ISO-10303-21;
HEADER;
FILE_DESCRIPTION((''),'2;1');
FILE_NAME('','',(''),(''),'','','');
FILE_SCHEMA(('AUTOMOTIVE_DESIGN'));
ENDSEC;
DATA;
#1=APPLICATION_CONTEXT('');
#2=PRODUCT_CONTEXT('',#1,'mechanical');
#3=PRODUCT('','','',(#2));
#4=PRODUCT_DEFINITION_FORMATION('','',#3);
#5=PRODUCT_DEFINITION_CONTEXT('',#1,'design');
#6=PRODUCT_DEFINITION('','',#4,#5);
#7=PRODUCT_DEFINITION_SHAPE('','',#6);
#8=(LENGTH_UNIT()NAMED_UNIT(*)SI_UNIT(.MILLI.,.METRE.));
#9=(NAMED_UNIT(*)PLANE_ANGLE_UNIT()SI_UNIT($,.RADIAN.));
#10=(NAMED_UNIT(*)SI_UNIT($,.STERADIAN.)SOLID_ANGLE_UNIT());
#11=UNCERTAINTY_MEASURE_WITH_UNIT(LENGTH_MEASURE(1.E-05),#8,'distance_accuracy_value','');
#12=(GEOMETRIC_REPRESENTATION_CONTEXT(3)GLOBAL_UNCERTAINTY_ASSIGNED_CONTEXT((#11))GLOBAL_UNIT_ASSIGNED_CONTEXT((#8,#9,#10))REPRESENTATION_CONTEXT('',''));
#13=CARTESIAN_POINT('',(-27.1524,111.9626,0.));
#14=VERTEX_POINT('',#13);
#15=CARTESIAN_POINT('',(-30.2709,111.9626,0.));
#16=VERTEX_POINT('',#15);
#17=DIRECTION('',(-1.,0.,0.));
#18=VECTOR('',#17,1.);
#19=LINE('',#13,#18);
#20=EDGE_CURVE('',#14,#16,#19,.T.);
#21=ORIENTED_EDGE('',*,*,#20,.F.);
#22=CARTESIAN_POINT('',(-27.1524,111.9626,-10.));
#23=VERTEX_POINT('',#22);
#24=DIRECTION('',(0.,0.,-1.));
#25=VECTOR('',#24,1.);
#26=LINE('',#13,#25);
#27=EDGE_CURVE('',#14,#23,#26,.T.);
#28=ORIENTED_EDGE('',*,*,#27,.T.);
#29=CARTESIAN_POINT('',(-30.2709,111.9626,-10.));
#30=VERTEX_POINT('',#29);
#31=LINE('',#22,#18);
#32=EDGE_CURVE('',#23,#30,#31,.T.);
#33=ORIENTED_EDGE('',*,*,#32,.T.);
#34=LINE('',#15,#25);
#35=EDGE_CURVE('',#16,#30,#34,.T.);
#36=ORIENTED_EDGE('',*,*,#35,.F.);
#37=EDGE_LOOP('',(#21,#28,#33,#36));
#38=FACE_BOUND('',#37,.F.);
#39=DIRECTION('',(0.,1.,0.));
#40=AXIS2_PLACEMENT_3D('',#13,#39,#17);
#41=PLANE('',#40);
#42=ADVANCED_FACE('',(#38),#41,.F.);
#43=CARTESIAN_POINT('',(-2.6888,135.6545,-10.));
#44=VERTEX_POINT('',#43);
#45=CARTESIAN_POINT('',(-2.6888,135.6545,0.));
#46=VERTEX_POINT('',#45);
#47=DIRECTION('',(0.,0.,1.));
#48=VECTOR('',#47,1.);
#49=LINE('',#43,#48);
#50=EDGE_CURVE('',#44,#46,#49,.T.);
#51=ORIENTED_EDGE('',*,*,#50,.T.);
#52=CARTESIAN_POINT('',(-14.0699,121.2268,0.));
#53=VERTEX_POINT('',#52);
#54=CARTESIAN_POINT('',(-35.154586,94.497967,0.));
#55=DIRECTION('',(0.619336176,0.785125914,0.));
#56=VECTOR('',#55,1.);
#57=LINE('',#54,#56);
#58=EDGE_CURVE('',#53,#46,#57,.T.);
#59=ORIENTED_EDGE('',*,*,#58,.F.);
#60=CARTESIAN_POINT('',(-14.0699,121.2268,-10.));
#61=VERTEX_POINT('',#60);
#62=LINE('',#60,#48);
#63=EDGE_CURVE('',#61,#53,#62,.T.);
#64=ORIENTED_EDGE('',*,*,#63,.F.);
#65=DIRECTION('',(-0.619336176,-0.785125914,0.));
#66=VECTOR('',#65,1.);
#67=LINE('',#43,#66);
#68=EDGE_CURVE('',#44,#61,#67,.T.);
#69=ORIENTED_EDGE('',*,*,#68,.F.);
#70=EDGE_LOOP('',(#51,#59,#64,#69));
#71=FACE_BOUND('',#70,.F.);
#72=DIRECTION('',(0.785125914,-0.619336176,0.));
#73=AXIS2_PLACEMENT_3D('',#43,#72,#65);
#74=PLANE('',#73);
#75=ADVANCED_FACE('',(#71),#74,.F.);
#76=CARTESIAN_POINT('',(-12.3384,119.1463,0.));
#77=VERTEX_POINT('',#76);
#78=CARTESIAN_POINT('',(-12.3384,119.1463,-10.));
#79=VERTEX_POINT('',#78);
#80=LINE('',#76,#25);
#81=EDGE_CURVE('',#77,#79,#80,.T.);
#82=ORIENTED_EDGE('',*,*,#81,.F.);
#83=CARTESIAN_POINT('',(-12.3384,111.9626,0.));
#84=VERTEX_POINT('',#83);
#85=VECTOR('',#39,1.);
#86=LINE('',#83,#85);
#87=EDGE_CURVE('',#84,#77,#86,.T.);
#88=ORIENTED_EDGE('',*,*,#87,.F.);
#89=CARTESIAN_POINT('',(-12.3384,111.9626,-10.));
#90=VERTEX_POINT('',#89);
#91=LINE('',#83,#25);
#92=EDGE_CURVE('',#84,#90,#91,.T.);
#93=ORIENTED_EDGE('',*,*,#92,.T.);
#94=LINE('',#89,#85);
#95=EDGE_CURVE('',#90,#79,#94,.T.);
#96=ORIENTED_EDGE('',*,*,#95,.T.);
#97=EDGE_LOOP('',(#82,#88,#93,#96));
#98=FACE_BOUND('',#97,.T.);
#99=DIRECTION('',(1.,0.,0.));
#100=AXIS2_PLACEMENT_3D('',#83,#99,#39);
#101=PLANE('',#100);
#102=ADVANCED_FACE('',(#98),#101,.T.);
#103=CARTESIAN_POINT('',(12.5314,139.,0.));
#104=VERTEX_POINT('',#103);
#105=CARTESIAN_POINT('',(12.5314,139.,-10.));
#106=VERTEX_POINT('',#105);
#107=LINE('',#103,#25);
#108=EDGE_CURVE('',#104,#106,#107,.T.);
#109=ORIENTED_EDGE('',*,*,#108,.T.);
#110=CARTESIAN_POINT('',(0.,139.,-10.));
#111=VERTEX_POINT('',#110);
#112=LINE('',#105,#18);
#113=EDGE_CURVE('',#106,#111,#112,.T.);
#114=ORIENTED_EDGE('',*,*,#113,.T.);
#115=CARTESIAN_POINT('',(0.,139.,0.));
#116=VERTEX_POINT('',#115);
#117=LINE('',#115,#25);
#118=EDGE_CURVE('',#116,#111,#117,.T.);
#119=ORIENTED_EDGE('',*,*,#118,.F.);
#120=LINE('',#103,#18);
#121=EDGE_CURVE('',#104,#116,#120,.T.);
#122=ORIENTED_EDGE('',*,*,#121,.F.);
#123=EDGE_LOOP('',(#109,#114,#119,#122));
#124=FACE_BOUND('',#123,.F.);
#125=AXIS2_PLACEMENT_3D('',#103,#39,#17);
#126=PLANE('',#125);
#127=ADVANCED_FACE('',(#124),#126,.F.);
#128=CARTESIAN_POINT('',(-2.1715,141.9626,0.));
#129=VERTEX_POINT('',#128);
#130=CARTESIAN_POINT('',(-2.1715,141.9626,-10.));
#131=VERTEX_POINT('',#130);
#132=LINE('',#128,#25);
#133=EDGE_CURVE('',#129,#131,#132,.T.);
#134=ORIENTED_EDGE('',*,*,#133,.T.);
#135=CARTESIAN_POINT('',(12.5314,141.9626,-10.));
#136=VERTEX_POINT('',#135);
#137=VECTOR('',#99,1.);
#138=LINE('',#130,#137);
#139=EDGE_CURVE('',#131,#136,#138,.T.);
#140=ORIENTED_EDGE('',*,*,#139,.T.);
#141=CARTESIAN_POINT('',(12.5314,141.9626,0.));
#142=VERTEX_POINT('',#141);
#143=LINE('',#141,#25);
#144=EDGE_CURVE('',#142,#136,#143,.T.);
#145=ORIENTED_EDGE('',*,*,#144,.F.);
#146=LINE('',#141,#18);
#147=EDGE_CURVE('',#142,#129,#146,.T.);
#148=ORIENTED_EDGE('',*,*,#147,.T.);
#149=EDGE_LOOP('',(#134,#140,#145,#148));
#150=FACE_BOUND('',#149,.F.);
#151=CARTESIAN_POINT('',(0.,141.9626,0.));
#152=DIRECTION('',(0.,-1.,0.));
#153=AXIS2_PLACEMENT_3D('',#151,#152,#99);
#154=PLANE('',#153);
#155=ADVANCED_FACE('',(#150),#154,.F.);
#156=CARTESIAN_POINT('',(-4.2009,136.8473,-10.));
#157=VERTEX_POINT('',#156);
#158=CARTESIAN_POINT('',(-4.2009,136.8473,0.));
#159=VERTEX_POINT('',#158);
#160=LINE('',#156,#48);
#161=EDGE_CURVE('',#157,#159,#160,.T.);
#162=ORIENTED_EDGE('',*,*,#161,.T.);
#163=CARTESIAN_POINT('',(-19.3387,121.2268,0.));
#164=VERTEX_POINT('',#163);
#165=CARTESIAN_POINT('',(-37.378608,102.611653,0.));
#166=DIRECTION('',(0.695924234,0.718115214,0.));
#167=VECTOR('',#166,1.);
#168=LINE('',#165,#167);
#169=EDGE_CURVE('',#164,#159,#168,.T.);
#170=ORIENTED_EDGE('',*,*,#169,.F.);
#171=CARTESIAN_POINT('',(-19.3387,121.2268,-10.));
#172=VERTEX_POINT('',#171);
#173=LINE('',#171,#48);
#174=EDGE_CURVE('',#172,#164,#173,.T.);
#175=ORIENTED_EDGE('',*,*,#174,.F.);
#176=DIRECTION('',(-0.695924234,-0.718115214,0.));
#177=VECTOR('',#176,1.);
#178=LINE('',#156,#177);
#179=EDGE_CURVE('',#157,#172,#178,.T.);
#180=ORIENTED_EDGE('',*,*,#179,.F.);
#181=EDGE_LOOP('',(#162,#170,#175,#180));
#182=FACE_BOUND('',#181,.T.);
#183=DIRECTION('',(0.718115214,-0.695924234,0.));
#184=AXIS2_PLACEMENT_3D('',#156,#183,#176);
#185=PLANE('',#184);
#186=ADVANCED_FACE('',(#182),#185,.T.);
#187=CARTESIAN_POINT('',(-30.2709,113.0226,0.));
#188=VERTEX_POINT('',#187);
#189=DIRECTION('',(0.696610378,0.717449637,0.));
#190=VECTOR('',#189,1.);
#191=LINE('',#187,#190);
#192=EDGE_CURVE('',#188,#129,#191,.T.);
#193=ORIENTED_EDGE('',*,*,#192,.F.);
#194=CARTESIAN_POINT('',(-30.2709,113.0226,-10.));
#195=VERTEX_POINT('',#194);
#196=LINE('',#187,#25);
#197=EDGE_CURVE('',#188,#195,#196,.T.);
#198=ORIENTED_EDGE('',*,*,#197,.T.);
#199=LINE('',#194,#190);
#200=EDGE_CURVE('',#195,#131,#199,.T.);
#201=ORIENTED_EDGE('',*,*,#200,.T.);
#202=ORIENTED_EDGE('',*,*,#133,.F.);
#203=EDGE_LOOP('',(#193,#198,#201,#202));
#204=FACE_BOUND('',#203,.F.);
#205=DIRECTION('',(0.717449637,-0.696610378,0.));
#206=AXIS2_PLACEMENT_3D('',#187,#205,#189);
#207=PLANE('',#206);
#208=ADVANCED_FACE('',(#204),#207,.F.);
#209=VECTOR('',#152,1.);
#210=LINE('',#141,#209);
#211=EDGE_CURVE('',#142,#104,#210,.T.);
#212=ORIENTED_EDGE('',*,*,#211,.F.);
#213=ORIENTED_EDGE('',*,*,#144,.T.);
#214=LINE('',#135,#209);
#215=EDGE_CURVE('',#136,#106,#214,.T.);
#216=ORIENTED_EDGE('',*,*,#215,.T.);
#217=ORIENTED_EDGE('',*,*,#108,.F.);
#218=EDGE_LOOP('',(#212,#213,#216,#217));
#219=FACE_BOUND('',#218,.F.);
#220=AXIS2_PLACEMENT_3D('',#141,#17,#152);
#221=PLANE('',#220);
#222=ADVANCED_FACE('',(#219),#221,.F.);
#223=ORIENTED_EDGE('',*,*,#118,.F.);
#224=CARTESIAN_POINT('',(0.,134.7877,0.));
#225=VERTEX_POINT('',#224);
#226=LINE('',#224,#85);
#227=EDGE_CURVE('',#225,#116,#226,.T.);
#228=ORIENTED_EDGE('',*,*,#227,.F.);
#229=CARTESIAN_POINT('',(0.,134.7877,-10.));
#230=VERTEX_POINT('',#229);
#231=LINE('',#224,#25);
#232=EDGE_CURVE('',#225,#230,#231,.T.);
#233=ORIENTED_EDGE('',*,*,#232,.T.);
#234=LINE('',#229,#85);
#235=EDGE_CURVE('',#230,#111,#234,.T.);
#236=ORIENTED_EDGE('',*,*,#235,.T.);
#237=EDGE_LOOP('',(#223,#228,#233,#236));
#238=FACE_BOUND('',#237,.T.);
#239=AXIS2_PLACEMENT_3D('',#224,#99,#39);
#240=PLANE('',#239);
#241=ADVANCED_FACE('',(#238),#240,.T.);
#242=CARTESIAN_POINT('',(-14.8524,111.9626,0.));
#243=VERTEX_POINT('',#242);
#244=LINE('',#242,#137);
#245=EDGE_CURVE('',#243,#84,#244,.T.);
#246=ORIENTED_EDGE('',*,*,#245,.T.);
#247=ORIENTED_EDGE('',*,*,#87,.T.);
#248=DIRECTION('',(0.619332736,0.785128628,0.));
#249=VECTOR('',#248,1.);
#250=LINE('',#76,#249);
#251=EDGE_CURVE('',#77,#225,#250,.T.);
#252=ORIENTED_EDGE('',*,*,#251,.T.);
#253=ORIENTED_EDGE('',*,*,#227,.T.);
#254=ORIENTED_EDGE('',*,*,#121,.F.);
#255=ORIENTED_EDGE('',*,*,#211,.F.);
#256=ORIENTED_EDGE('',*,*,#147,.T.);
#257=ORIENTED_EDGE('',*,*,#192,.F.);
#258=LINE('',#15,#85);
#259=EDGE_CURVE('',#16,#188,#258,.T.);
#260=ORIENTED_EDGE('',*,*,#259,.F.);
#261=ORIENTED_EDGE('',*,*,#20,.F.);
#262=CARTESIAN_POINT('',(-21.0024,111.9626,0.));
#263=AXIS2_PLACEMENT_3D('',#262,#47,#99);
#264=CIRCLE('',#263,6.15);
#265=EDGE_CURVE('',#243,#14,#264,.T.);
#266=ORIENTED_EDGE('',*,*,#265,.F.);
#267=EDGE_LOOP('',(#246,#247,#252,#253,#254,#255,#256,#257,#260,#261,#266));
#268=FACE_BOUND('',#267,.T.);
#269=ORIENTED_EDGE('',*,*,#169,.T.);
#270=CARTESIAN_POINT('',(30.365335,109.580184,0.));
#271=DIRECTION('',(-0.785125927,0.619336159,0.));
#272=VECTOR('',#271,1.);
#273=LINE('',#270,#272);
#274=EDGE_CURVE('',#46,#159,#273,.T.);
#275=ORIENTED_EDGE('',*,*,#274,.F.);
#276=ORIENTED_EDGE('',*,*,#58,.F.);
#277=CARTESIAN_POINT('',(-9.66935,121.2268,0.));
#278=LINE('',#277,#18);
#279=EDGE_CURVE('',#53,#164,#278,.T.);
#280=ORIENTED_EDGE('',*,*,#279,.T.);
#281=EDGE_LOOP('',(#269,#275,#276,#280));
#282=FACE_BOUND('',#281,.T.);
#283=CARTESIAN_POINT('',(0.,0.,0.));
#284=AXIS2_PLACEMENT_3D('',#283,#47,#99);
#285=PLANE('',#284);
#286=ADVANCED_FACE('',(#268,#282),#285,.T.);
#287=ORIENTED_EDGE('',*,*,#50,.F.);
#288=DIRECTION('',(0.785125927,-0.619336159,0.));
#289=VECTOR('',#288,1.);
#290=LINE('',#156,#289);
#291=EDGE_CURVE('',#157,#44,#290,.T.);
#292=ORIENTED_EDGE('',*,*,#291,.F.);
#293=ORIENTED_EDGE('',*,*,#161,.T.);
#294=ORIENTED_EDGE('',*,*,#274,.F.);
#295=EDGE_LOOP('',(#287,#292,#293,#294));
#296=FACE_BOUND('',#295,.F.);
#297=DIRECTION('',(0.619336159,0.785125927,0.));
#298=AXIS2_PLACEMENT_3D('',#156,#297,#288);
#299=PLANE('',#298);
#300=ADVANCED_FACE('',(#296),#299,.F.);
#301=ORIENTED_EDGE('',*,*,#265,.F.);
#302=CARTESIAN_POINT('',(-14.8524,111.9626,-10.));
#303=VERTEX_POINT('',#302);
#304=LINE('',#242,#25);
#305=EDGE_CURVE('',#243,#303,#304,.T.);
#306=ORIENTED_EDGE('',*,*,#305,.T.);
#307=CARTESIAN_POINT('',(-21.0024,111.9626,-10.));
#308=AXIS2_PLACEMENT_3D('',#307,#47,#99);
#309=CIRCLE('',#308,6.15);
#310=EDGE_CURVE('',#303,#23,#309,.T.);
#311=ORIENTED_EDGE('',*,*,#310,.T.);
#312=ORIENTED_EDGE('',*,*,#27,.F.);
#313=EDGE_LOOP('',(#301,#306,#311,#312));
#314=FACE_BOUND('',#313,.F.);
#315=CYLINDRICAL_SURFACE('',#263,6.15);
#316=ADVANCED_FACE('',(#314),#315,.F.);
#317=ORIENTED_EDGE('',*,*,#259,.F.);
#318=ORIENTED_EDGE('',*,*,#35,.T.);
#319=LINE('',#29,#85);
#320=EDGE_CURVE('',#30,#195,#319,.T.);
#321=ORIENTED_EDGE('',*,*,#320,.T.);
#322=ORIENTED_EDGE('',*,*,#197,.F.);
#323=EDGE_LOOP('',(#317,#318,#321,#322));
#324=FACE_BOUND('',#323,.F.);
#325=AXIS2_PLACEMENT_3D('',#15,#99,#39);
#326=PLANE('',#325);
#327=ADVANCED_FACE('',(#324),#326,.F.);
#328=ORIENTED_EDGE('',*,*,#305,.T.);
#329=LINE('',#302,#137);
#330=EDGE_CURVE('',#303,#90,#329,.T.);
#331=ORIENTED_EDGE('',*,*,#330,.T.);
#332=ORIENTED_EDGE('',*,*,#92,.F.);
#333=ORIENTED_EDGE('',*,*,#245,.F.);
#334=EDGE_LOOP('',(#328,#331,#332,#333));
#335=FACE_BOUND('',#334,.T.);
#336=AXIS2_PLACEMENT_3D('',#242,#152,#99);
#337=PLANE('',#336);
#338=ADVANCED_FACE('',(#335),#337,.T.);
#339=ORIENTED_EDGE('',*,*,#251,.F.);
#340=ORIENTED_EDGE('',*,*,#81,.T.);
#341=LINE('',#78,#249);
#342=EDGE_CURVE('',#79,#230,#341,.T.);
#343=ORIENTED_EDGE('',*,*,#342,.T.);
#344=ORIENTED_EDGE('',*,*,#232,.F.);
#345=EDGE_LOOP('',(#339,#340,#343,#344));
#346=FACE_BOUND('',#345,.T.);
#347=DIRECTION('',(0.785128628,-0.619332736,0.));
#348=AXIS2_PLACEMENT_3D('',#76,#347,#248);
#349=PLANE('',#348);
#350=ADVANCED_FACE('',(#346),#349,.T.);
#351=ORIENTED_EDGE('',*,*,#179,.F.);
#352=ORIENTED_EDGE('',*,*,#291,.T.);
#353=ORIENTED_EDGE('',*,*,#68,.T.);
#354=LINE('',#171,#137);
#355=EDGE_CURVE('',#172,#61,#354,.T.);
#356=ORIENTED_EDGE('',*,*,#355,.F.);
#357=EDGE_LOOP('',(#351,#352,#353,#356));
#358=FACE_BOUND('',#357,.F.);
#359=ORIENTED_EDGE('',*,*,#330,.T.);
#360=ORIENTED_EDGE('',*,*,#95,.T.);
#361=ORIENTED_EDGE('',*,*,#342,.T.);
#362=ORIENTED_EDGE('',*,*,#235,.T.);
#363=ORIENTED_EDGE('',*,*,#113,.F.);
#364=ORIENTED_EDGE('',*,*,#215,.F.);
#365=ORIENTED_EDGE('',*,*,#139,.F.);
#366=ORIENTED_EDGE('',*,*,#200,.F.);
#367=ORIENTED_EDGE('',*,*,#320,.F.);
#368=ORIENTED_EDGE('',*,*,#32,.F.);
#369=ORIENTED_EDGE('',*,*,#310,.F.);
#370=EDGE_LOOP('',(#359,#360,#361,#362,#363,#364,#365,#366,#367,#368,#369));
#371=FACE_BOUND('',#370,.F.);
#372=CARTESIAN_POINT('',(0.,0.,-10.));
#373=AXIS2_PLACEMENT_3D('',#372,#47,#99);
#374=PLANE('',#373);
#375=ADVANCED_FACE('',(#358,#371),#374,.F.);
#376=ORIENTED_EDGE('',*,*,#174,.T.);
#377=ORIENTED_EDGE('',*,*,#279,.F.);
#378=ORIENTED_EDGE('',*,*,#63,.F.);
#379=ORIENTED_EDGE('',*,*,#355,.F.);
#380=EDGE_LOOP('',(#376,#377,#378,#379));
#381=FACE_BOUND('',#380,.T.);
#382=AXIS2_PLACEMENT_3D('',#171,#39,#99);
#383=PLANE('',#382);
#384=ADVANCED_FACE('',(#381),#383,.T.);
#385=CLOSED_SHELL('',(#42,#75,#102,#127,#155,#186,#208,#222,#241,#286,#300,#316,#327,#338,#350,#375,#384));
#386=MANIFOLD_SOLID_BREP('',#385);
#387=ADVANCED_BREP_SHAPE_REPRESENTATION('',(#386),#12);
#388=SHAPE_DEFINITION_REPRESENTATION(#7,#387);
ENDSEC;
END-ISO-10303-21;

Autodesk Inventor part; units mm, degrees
ref_plane "YZ Plane" through (0, 0, 0) normal (1, 0, 0) x (0, 1, 0)
ref_plane "XZ Plane" through (0, 0, 0) normal (0, 1, 0) x (-1, 0, 0)
ref_plane "XY Plane" through (0, 0, 0) normal (0, 0, 1) x (1, 0, 0)
ref_plane "Arbeitsebene3" through (0, 0, 0) normal (0, 0, 1) x (1, 0, 0)
sketch "Skizze1" plane through (0, 0, 0) normal (0, 0, 1) x (1, 0, 0)
  circle A0 centre (871.1765, 73.7926) radius 2.6 construction
  circle A1 centre (881.1765, 21.442) radius 2.6 construction
  circle A2 centre (28.8235, 21.442) radius 2.6 construction
  circle A3 centre (38.8235, 73.7926) radius 2.6 construction
  line L0 (910, 0) -> (0, 0) construction
  line L1 (910, 0) -> (910, 139) construction
  line L2 (0, 139) -> (910, 139) construction
  line L3 (0, 0) -> (0, 139) construction
  circle A4 centre (-21.0024, 109.9626) radius 6 construction
  line L4 (0, 134.7877) -> (0, 139)
  line L5 (0, 141.9626) -> (-2.1715, 141.9626)
  line L6 (12.5314, 139) -> (0, 139)
  line L7 (0, 141.9626) -> (12.5314, 141.9626)
  line L8 (12.5314, 141.9626) -> (12.5314, 139)
  line L9 (-12.3384, 111.9626) -> (-12.3384, 119.1463)
  line L10 (-12.3384, 119.1463) -> (0, 134.7877)
  line L11 (-21.0024, 109.9626) -> (-21.0024, 111.9626) construction
  arc A5 (-14.8524, 111.9626) -> (-27.1524, 111.9626) centre (-21.0024, 111.9626) ccw
  line L12 (-30.2709, 111.9626) -> (-30.2709, 113.0226)
  line L13 (-30.2709, 113.0226) -> (-2.1715, 141.9626)
  arc A6 (-27.0706, 110.9626) -> (-27.1524, 111.9626) centre (-21.0024, 111.9626) ccw construction
  line L14 (-27.1524, 111.9626) -> (-30.2709, 111.9626)
  line L15 (-14.8524, 111.9626) -> (-12.3384, 111.9626)
extrude "Extrusion1" add sketch "Skizze1" against normal blind 10
sketch "Skizze2" plane through (0, 0, -10) normal (0, 0, -1) x (-1, 0, 0)
  line L0 (2.1715, 141.9626) -> (-12.5314, 141.9626) construction
  line L1 (-12.5314, 141.9626) -> (-12.5314, 139) construction
  line L2 (-12.5314, 139) -> (0, 139) construction
  line L3 (0, 139) -> (0, 134.7877) construction
  line L4 (0, 134.7877) -> (12.3384, 119.1463) construction
  line L5 (12.3384, 119.1463) -> (12.3384, 111.9626) construction
  line L6 (12.3384, 111.9626) -> (14.8524, 111.9626) construction
  arc A0 (27.1524, 111.9626) -> (14.8524, 111.9626) centre (21.0024, 111.9626) ccw construction
  line L7 (27.1524, 111.9626) -> (30.2709, 111.9626) construction
  line L8 (30.2709, 111.9626) -> (30.2709, 113.0226) construction
  line L9 (30.2709, 113.0226) -> (2.1715, 141.9626) construction
  line L10 (2.6888, 135.6545) -> (14.0699, 121.2268)
  line L11 (4.2009, 136.8473) -> (2.6888, 135.6545)
  line L12 (4.2009, 136.8473) -> (19.3387, 121.2268)
  line L13 (19.3387, 121.2268) -> (14.0699, 121.2268)
  point P0 (0, 0)
extrude "Extrusion2" cut sketch "Skizze2" against normal through all
properties part number "Lin_gage"
